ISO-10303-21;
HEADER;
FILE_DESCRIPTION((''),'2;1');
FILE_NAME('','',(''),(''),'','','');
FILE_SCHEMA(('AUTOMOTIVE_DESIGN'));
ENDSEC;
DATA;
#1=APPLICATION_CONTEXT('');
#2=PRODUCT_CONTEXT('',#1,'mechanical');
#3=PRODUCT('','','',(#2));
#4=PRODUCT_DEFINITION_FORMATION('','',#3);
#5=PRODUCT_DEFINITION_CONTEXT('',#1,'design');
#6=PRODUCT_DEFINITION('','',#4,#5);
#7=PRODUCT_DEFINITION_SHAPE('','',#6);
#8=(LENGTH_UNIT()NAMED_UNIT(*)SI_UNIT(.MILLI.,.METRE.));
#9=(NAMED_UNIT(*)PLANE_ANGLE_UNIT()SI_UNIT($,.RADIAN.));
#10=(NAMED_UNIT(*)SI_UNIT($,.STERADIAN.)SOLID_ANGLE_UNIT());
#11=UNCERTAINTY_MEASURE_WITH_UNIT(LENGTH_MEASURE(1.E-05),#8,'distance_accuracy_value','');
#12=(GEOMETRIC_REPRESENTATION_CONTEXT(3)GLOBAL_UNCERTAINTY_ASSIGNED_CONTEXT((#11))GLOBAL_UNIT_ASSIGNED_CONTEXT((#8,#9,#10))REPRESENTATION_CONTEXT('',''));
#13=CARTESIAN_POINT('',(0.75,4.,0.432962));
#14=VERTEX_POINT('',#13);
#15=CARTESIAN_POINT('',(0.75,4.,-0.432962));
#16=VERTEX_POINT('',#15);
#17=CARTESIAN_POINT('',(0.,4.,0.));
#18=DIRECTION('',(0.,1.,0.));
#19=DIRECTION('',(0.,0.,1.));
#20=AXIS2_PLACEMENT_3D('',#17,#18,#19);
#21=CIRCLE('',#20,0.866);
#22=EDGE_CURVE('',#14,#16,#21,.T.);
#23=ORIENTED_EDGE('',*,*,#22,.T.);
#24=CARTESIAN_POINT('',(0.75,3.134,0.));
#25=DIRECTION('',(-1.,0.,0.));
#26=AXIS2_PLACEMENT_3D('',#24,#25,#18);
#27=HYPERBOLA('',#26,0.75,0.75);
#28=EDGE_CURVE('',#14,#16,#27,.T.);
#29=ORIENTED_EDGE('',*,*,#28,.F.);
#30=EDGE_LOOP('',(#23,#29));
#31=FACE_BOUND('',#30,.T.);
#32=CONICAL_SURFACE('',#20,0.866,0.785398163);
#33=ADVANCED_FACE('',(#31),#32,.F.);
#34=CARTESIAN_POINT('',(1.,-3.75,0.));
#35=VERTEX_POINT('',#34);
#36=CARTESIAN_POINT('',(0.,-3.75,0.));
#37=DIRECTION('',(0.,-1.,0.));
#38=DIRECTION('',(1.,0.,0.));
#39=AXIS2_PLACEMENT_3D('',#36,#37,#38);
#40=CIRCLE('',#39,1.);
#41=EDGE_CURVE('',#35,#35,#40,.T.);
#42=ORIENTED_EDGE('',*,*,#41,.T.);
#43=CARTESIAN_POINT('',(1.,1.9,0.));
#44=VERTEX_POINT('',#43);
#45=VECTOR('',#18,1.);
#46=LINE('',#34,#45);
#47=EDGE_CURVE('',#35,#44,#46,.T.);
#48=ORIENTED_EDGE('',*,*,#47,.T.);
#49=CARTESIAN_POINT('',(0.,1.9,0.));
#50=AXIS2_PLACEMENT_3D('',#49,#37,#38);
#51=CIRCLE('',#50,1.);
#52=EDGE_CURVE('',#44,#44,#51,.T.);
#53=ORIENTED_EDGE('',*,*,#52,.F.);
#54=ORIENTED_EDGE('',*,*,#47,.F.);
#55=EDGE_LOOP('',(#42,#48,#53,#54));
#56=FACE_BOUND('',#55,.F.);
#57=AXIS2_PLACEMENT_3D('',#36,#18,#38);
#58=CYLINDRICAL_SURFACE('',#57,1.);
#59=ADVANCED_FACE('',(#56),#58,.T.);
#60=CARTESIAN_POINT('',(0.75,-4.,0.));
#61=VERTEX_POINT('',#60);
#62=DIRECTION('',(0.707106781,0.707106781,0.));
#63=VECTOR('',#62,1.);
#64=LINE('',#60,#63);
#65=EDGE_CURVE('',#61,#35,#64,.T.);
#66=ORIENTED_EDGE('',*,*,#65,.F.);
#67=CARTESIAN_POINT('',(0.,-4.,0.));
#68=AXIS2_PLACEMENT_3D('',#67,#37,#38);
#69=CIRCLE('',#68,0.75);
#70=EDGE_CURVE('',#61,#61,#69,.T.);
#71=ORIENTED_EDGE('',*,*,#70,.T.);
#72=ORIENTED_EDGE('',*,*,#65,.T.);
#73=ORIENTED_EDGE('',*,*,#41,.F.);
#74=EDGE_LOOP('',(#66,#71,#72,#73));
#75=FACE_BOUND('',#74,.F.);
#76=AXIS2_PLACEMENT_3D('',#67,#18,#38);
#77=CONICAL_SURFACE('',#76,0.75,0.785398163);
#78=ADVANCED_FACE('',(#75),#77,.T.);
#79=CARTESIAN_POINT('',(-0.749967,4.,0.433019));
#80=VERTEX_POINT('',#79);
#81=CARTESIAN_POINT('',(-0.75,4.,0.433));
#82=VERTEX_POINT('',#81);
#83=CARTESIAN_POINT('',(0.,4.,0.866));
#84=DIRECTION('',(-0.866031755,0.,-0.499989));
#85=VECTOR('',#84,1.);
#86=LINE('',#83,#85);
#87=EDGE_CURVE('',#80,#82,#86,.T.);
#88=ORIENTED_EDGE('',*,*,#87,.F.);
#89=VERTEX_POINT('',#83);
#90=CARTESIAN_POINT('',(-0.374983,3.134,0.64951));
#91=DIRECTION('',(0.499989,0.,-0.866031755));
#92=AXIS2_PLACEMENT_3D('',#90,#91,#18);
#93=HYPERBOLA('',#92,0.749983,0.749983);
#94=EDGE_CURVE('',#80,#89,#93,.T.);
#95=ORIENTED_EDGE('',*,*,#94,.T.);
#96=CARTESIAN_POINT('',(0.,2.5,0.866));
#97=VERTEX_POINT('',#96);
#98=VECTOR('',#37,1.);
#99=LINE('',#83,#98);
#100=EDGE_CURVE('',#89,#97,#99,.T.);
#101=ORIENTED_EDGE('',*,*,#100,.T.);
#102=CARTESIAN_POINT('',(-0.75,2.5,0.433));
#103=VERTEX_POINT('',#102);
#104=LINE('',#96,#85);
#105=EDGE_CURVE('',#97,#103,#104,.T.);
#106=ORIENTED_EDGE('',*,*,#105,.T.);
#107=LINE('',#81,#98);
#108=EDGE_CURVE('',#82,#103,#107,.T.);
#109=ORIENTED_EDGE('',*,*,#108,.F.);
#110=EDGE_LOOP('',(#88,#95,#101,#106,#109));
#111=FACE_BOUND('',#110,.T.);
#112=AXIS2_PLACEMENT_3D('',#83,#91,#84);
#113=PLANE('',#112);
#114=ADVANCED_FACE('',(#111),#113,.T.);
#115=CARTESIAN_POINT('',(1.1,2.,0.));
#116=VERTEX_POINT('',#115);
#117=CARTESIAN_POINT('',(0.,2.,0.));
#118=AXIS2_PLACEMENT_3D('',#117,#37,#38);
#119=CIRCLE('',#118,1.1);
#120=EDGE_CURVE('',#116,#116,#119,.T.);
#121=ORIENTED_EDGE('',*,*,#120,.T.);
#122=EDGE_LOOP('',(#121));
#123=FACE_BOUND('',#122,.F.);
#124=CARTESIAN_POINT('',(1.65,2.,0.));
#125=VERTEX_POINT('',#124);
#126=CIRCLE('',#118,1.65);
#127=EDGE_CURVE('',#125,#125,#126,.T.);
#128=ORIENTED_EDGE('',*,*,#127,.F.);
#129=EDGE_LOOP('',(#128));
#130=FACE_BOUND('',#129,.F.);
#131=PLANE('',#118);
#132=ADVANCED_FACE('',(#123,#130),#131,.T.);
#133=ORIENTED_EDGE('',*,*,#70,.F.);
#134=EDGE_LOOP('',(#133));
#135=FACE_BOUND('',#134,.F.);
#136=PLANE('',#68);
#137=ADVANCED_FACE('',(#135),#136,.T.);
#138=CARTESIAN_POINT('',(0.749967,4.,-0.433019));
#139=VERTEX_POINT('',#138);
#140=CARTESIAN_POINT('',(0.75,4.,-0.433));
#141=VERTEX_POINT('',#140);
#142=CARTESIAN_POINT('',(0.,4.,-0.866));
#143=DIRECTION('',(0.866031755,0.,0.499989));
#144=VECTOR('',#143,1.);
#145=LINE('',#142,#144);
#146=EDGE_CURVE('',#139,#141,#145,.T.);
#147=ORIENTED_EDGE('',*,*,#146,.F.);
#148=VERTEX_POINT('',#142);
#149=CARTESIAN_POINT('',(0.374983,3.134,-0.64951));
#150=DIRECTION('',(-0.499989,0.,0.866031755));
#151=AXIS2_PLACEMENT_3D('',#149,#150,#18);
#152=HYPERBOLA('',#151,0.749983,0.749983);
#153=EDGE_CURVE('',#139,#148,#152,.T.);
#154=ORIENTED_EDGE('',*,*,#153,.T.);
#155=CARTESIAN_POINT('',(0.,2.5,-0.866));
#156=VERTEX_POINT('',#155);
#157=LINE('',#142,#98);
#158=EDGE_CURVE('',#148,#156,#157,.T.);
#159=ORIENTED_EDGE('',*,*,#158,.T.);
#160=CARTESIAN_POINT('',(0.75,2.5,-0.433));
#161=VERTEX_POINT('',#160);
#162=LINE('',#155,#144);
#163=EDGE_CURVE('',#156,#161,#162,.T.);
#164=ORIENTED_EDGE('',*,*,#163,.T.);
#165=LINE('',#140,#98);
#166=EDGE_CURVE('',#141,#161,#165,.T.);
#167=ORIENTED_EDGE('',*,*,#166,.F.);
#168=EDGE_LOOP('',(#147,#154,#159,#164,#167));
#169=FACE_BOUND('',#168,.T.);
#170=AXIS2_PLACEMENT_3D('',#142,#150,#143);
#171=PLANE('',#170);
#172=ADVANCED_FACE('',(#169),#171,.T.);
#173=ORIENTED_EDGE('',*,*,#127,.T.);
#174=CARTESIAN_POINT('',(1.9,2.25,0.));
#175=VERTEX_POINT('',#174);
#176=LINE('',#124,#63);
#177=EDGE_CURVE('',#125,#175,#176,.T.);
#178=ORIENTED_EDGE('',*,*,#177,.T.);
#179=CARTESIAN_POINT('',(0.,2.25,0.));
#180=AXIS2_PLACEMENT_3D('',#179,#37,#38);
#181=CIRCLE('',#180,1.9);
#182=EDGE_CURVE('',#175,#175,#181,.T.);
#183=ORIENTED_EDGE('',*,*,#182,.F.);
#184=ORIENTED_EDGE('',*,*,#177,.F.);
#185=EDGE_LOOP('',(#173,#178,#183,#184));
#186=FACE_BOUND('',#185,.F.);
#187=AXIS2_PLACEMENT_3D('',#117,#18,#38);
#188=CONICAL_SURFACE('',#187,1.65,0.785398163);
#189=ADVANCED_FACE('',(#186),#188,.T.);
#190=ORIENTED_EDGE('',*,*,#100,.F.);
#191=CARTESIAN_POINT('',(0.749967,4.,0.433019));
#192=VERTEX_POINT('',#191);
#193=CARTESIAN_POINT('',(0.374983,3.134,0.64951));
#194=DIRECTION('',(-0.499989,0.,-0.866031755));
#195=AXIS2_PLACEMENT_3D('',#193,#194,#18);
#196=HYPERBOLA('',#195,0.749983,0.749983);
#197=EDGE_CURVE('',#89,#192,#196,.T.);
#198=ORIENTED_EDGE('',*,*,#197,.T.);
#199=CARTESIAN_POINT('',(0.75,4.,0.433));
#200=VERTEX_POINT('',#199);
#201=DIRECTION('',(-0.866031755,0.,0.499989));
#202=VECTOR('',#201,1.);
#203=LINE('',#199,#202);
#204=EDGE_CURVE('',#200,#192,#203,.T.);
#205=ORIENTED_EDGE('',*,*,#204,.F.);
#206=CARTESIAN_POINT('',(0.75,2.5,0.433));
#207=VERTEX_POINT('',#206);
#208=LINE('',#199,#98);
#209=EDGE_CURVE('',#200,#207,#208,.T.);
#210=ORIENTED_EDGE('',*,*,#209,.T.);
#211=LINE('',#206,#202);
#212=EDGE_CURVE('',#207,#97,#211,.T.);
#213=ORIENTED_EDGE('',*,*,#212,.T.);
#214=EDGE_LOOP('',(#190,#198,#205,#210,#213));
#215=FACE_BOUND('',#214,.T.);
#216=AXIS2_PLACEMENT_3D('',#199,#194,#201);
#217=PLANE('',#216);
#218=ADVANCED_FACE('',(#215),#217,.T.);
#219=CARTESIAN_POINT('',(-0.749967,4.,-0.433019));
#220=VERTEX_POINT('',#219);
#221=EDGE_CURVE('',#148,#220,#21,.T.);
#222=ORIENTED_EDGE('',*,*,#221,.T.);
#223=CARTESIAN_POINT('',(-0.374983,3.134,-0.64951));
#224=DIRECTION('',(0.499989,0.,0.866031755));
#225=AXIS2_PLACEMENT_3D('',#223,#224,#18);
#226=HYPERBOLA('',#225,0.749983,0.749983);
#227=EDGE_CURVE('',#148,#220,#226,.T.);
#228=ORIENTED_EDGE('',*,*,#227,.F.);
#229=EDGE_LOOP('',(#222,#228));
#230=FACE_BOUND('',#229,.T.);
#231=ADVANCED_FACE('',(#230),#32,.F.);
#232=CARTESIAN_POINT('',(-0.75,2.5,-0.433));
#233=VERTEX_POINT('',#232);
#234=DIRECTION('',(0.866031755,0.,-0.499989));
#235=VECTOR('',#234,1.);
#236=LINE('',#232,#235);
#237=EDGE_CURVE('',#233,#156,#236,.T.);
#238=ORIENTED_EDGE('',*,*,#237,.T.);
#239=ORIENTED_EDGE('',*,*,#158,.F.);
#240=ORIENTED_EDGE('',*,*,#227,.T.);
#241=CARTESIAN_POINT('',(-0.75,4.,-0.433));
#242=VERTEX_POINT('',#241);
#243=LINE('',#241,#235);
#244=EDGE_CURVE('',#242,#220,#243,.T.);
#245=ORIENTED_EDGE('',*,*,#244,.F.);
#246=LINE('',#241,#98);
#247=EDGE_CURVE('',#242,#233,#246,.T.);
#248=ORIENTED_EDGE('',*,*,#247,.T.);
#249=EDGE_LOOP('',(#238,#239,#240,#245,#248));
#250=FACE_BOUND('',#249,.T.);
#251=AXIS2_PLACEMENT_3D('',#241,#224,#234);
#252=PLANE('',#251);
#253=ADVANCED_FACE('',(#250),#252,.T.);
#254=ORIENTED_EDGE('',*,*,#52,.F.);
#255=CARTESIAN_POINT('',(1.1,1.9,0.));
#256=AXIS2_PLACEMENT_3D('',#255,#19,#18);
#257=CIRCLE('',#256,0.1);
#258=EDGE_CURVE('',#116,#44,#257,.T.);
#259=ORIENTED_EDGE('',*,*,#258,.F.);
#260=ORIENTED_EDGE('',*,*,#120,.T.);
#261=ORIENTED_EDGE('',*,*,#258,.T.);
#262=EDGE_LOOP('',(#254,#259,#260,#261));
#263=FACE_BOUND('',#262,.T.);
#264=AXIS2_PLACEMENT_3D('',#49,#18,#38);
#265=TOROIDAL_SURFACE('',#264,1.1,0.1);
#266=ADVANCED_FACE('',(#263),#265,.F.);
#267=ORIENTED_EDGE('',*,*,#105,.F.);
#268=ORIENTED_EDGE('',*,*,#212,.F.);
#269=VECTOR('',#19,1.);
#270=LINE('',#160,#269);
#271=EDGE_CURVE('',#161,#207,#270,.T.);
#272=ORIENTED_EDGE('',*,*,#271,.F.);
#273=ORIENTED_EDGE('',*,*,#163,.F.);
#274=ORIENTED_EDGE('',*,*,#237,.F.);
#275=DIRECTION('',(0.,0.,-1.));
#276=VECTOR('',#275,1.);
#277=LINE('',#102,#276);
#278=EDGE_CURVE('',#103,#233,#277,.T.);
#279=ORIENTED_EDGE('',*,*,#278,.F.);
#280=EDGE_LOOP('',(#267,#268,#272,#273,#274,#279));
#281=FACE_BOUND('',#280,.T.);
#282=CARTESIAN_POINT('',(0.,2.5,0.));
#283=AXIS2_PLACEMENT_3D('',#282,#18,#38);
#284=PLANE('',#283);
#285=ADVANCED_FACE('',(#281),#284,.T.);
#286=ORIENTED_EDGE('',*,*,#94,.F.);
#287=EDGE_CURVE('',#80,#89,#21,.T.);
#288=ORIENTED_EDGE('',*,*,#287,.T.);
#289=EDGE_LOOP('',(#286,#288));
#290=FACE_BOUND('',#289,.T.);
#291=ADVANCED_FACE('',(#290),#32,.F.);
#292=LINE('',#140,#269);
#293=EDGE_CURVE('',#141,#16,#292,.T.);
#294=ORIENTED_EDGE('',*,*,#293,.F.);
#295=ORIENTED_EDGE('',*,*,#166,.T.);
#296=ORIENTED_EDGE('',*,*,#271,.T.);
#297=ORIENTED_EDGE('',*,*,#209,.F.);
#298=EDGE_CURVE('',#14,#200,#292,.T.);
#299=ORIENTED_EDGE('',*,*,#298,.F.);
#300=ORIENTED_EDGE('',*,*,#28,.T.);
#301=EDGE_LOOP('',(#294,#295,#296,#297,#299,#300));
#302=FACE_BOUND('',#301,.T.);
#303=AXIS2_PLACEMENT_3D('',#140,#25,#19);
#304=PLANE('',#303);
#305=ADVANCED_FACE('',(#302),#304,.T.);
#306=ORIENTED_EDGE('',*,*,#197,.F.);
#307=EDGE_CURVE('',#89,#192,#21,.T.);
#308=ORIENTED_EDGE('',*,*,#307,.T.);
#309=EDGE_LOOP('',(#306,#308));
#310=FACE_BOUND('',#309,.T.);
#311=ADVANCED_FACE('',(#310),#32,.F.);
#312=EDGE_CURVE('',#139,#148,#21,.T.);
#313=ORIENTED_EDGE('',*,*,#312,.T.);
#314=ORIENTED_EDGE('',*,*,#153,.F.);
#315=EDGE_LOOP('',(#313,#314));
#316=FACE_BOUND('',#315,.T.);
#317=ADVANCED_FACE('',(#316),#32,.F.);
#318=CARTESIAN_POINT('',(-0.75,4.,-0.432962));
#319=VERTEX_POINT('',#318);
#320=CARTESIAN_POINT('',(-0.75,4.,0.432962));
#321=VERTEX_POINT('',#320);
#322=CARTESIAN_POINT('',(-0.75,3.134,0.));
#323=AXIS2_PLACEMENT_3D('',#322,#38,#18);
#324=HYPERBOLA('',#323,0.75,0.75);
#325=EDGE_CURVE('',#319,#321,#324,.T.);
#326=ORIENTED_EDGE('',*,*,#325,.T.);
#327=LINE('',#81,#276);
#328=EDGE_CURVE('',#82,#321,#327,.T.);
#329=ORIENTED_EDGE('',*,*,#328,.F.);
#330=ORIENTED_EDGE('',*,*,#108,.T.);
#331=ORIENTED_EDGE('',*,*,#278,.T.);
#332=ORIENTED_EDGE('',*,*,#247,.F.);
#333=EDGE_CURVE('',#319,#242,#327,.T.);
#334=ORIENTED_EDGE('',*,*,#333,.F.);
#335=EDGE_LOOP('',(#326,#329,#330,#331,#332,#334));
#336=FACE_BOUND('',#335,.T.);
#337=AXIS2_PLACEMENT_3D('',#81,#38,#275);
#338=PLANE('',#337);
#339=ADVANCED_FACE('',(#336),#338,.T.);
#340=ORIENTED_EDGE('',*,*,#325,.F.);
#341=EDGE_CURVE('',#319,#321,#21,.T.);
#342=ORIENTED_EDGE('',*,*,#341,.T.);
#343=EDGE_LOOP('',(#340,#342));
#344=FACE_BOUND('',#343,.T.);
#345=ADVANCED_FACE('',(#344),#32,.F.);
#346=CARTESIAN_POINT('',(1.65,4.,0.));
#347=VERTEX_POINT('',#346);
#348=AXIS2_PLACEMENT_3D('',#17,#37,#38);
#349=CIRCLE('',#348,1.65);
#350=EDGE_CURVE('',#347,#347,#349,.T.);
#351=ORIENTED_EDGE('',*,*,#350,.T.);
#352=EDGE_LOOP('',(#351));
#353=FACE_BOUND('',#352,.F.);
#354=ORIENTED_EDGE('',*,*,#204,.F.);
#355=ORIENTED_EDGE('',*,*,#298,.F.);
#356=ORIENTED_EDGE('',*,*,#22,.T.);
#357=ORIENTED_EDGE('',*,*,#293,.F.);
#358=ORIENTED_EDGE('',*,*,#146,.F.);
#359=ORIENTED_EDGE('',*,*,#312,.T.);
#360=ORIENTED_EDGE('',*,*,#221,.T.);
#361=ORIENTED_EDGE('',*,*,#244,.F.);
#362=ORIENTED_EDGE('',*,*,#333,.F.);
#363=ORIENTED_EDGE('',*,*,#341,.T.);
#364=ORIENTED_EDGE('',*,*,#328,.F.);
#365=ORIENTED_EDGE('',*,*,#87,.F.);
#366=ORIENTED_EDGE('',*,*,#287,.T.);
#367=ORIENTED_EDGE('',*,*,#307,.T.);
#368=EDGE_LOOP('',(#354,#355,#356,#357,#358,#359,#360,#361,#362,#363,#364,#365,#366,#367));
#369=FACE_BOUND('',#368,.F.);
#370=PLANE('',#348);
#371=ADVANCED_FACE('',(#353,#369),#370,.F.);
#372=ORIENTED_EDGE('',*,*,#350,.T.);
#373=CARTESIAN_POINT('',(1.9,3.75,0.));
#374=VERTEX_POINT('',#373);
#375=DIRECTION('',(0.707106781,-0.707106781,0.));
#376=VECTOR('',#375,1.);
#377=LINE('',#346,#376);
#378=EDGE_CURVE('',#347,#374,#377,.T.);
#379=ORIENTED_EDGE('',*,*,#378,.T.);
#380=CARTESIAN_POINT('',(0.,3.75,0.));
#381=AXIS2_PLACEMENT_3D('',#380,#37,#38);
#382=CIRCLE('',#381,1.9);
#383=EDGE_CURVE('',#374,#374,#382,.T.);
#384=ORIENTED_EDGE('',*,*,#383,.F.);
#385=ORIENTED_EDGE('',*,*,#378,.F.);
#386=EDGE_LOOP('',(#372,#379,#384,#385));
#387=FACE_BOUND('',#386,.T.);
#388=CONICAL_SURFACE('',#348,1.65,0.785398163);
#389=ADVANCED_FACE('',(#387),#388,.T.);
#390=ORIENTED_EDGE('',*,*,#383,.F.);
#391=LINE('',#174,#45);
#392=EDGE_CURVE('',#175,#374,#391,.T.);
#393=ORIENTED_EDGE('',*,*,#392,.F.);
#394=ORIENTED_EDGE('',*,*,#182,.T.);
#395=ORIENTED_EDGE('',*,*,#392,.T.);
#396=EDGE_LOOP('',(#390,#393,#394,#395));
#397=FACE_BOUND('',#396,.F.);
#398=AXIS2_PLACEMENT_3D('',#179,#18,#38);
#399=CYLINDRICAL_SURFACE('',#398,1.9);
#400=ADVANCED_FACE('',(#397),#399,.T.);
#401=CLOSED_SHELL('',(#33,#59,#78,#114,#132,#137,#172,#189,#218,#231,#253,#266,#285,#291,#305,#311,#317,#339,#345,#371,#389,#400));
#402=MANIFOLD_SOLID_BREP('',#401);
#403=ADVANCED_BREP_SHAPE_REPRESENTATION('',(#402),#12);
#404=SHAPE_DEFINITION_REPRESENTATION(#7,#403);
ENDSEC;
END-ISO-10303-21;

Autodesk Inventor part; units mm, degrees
ref_plane "YZ Plane" through (0, 0, 0) normal (1, 0, 0) x (0, 1, 0)
ref_plane "XZ Plane" through (0, 0, 0) normal (0, 1, 0) x (-1, 0, 0)
ref_plane "XY Plane" through (0, 0, 0) normal (0, 0, 1) x (1, 0, 0)
sketch "Sketch1" plane through (0, 0, 0) normal (0, 0, 1) x (1, 0, 0)
  line L0 (0, 4) -> (0, -4)
  line L1 (0, -4) -> (0.75, -4)
  line L2 (0.75, -4) -> (1, -3.75)
  line L3 (1, -3.75) -> (1, 1.9)
  line L4 (1.1, 2) -> (1.65, 2)
  line L5 (1.9, 2.25) -> (1.9, 3.75)
  line L6 (1.65, 4) -> (0, 4)
  arc A0 (1.1, 2) -> (1, 1.9) centre (1.1, 1.9) ccw
  line L7 (1.65, 4) -> (1.9, 3.75)
  line L8 (1.65, 2) -> (1.9, 2.25)
  point P0 (0, 0)
  point P1 (1.9, 2)
  point P2 (1.9, 4)
  point P3 (0, 0)
  dimension "d0" = 3.8
  dimension "d1" = 2
  dimension "d3" = 2
  dimension "d4" = 2.2
  dimension "d5" = 135
  dimension "d6" = 0.25
  dimension "d7" = 6
  dimension "d18" = 0.25
revolve "Revolution1" add sketch "Sketch1" angle 360 about axis through (0, 4, 0) along (0, -1, 0)
sketch "Sketch2" plane through (0, 4, 0) normal (0, 1, 0) x (1, 0, 0)
  line L0 (0, -0.866) -> (-0.75, -0.433)
  line L1 (-0.75, -0.433) -> (-0.75, 0.433)
  line L2 (-0.75, 0.433) -> (0, 0.866)
  line L3 (0, 0.866) -> (0.75, 0.433)
  line L4 (0.75, 0.433) -> (0.75, -0.433)
  line L5 (0.75, -0.433) -> (0, -0.866)
  point P0 (0, 0)
  point P1 (0, 0)
  dimension "d11" = 1.5
extrude "Extrusion1" cut sketch "Sketch2" against normal blind 1.5
thread "Thread1" size "M2x0.4" class "6g" standard "ANSI Metric M Profile" full length
sketch "Sketch3" plane through (0, 0, 0) normal (1, 0, 0) x (0, 1, 0)
  line L0 (4, 0.866) -> (4, 0.433) projected
  line L1 (4, 0.866) -> (3.5, 0.366)
  line L2 (3.5, 0.366) -> (4, 0.366)
  line L3 (4, 0.366) -> (4, 0.866)
  line L4 (-0.8, 0) -> (4.8, 0) projected
  point P0 (0, 0)
  dimension "d16" = 0.5
revolve "Revolution2" cut sketch "Sketch3" angle 360 about axis through (0, -10, 0) along (0, 1, 0)
properties part number "Bolt_M2x0.4_6mm_SH" material "Stainless Steel"
